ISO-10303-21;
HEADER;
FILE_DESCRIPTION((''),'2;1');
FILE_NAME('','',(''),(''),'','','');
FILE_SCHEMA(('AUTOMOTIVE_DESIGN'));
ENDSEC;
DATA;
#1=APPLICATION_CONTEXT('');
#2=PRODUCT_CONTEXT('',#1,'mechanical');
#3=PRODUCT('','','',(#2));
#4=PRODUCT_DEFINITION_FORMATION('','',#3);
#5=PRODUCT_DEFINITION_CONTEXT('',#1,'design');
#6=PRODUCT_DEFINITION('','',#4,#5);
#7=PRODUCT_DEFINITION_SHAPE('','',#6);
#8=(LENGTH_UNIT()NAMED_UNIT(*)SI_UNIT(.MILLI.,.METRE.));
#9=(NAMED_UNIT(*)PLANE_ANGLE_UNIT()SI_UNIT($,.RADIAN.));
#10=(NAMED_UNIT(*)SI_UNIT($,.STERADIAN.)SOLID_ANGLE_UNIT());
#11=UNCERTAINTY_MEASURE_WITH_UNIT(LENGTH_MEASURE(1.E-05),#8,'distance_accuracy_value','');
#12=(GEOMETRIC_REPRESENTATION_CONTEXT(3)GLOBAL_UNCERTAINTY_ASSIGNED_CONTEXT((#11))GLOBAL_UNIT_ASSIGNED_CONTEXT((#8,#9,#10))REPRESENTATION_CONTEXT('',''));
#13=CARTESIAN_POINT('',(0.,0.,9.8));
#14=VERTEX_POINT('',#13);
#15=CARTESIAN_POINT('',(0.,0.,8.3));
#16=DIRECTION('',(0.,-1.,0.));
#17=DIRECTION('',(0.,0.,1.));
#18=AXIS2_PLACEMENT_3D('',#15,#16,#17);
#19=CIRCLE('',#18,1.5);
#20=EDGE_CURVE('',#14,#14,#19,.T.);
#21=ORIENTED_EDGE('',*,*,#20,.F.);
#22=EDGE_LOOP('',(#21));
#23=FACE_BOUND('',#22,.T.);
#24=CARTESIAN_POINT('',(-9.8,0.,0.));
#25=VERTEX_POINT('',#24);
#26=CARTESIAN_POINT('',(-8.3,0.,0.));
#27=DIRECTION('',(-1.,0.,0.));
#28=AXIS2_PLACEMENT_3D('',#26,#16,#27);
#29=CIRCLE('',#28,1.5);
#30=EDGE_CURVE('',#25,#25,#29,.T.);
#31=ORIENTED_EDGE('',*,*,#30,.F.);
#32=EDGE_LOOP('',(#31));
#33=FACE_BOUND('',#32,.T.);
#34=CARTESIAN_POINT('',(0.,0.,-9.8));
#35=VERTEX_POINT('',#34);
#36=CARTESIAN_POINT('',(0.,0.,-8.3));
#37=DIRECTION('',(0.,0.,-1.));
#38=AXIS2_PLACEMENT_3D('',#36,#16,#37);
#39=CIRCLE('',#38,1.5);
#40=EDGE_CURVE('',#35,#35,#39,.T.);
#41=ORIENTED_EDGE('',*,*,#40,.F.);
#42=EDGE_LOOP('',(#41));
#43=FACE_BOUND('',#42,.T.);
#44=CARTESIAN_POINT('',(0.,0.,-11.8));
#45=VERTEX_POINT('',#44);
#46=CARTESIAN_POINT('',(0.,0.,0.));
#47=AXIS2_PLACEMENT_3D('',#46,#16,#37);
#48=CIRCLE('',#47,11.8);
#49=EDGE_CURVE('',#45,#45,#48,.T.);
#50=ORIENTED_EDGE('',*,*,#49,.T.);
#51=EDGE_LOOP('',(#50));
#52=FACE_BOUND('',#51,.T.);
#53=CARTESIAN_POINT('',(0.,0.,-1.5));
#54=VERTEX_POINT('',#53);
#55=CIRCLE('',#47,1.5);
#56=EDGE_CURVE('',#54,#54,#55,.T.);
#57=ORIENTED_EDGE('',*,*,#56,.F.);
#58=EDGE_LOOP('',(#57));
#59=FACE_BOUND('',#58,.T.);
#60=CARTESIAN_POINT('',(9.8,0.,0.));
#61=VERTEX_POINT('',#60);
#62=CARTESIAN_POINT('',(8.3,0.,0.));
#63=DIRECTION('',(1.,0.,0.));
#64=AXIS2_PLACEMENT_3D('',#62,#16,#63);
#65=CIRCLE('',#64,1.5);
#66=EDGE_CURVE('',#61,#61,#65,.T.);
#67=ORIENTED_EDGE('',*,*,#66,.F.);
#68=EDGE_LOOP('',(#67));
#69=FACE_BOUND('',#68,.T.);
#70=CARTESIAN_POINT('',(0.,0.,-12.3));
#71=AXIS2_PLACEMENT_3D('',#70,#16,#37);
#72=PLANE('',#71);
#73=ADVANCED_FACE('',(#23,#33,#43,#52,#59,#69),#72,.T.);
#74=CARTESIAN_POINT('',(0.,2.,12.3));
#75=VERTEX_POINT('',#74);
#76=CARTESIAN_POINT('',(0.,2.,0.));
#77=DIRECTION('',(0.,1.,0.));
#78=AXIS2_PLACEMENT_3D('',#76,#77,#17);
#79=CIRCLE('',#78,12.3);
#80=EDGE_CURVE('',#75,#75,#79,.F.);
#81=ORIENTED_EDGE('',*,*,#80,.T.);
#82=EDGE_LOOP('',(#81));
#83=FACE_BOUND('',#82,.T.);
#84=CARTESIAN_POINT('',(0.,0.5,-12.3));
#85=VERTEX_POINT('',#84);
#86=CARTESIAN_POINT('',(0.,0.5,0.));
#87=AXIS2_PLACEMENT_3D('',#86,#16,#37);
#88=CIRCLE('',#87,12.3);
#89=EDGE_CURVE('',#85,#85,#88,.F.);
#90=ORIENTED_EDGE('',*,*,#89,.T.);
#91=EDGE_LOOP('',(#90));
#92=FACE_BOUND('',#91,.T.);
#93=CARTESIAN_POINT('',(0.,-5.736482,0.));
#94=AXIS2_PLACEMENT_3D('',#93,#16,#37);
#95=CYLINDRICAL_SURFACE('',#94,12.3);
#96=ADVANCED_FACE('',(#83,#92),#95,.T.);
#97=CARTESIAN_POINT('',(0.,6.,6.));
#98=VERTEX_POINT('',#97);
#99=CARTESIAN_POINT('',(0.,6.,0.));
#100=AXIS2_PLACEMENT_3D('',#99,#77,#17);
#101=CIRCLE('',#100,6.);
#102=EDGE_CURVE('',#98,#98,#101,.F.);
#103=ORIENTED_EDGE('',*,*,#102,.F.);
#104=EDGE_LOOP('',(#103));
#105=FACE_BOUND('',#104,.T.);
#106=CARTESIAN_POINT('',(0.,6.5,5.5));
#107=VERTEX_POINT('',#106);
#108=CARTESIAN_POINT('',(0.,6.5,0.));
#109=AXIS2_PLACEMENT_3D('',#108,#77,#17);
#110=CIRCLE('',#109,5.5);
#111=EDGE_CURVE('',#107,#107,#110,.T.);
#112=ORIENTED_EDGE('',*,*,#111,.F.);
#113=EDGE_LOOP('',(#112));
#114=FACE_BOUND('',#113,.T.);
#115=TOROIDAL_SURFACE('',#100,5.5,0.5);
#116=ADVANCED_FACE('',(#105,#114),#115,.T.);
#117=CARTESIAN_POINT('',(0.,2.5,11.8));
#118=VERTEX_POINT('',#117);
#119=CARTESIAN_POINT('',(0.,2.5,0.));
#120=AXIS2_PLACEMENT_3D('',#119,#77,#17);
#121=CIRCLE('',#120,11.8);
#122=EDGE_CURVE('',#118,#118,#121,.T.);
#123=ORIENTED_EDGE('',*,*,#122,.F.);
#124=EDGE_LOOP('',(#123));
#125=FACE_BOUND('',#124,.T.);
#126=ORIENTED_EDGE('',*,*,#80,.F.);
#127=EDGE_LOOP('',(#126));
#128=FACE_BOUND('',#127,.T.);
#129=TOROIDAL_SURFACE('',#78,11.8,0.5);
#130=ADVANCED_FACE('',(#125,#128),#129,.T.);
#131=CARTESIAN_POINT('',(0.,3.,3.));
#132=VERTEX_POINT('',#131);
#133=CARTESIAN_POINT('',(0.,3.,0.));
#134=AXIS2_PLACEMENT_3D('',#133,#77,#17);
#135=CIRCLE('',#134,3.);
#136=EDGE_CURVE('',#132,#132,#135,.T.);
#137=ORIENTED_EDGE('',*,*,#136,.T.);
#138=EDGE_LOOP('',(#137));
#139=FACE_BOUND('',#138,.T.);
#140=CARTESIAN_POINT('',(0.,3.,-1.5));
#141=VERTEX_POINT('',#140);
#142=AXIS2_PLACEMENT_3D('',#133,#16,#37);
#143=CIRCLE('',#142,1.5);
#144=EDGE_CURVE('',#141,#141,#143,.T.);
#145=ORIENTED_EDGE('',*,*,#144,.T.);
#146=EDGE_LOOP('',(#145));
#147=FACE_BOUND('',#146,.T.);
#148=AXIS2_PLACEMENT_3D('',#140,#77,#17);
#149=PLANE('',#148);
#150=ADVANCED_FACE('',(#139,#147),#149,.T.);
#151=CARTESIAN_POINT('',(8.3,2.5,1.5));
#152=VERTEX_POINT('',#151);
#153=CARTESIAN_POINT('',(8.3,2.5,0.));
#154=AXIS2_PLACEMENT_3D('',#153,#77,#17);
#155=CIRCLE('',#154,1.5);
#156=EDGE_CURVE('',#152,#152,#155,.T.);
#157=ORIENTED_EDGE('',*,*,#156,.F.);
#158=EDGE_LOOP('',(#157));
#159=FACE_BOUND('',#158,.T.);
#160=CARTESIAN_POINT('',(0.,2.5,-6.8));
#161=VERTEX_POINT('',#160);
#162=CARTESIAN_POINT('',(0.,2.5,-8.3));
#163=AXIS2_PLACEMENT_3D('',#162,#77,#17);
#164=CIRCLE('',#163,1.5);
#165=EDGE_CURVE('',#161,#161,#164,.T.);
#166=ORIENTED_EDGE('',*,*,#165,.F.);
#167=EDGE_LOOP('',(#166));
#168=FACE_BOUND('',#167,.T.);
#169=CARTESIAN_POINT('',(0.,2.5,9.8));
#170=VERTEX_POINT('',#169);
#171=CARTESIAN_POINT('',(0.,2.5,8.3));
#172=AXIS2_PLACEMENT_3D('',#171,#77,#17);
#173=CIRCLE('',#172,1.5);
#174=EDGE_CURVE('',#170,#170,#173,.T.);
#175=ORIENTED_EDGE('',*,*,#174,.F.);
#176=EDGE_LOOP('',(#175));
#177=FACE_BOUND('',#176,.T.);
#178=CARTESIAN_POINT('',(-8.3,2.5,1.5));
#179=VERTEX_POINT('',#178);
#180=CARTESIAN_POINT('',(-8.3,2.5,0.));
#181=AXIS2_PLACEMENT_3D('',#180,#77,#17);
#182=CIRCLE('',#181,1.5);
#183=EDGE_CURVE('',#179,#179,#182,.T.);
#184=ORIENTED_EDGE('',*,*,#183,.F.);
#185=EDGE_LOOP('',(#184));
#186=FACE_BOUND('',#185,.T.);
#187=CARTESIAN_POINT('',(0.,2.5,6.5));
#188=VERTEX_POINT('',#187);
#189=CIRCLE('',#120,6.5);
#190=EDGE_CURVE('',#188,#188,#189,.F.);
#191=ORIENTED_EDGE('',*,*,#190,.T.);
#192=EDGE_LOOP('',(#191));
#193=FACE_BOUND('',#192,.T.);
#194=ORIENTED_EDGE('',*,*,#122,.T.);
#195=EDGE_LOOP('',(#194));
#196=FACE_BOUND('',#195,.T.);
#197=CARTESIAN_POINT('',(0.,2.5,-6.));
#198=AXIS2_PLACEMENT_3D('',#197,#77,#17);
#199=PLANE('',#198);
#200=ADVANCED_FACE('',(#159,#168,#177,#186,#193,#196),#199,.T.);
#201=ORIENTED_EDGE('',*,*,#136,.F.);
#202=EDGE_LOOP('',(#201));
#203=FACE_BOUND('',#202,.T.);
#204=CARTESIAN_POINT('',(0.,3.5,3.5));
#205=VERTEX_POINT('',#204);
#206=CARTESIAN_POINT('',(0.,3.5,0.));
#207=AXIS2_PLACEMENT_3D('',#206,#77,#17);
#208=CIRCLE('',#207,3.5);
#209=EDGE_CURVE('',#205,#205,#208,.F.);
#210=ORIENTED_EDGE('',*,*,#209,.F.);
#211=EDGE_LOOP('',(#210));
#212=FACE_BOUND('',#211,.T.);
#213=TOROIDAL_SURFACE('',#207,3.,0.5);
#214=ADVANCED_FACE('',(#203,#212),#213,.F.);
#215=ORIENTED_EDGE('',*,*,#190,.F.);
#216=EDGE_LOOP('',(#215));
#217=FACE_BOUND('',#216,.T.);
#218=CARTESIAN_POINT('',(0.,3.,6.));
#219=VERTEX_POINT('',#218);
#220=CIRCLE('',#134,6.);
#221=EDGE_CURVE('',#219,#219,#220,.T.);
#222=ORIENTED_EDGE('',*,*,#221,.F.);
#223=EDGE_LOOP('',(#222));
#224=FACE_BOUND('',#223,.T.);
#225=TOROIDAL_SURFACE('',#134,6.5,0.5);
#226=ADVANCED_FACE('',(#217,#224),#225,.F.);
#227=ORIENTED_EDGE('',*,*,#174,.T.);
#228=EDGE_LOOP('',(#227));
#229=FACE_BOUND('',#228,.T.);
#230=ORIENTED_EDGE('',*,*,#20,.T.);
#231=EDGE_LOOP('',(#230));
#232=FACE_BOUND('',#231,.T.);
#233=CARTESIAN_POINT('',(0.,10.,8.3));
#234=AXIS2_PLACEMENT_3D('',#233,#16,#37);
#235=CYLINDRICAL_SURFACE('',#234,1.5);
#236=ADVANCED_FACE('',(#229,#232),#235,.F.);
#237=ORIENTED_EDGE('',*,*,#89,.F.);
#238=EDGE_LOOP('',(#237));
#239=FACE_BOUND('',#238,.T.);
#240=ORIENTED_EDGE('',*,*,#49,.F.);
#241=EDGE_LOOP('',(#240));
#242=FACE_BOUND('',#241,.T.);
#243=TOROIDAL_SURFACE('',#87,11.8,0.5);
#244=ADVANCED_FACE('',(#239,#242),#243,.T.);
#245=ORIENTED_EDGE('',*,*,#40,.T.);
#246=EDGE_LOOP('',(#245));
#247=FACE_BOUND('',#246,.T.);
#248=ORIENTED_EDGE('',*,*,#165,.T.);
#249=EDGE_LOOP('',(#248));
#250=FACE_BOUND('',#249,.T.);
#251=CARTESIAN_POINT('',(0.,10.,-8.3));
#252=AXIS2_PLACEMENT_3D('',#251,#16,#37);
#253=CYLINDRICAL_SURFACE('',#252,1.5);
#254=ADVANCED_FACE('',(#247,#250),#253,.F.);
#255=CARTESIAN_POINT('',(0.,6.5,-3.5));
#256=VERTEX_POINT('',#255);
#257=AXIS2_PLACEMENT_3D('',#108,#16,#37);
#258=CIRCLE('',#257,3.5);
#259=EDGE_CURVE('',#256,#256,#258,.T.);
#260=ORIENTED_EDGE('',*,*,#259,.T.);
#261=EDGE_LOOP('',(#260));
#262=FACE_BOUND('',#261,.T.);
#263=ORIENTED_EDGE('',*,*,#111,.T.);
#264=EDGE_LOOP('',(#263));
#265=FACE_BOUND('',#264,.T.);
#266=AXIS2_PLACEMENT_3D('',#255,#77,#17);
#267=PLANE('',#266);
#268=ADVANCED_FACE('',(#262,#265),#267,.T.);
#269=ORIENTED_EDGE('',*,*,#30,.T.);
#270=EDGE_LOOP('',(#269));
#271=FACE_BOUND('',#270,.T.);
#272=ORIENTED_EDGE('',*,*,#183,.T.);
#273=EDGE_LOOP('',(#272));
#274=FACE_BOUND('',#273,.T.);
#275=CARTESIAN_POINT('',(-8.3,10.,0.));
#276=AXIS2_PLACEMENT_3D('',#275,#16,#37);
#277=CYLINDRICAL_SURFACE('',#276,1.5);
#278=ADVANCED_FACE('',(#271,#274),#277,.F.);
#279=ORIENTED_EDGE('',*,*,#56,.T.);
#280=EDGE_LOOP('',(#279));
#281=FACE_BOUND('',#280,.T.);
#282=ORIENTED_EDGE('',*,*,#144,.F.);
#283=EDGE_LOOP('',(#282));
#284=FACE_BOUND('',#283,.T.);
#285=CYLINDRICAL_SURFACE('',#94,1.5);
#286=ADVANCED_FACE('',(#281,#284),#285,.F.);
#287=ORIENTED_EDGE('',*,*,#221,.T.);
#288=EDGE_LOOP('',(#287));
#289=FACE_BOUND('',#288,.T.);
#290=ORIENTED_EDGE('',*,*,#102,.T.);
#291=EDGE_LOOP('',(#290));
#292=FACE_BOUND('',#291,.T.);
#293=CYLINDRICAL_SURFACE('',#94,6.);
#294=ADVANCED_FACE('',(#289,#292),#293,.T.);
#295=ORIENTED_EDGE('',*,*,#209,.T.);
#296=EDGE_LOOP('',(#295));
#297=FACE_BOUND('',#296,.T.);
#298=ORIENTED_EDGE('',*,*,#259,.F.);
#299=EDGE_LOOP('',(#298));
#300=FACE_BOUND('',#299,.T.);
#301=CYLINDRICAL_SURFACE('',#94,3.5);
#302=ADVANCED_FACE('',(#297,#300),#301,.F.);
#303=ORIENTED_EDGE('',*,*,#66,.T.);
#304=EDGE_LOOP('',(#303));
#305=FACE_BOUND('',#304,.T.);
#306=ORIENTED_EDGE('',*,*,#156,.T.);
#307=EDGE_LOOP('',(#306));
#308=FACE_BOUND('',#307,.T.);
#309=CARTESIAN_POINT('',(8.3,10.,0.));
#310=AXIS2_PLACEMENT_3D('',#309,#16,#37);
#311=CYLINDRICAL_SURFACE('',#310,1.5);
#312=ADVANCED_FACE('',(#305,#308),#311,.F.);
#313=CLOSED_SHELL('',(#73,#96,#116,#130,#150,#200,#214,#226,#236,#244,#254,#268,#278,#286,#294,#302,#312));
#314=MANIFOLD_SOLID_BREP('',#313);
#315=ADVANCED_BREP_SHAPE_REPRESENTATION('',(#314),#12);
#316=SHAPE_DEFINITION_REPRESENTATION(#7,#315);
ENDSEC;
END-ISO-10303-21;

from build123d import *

# Parameters (mm, degrees)
SKETCH2_R          = 1.5
CUT_EXTRUDE1_DEPTH = 10
CIRPATTERN1_COUNT  = 4
FILLET1_R          = 0.5


with BuildPart() as part:
    # Sketch1 → Revolve1 (revolve)
    with BuildSketch(Plane(origin=(0, 0, 0), x_dir=(0, 0, -1), z_dir=(1, 0, 0))):
        Polygon((1.5, 0), (1.5, 3), (3.5, 3), (3.5, 6.5), (6, 6.5), (6, 2.5), (12.3, 2.5), (12.3, 0), align=None)
    revolve(axis=Axis((0, -5.736482489, 0), (0, 1, 0)))

    # Sketch2 → Cut-Extrude1 (cut)
    with BuildSketch(Plane.XZ):
        with Locations(Location((0, -8.3, 0), (0, 0, 270))):
            Circle(SKETCH2_R)
    cut_extrude1 = extrude(amount=-CUT_EXTRUDE1_DEPTH, mode=Mode.SUBTRACT)

    # CirPattern1: Cut-Extrude1 ×4 about axis
    cirpattern1_axis = Axis((0, 0, 0), (0, 1, 0))
    for i in range(1, CIRPATTERN1_COUNT):
        add(cut_extrude1.rotate(cirpattern1_axis, i * 360 / CIRPATTERN1_COUNT), mode=Mode.SUBTRACT)

    # Fillet1
    fillet1_edges = [part.edges().sort_by_distance(p)[0] for p in [
        (0, 0, 12.3),
        (0, 2.5, 12.3),
        (0, 2.5, 6),
        (0, 6.5, 6),
        (0, 3, 3.5),
    ]]
    fillet(fillet1_edges, radius=FILLET1_R)


solid = part.part
